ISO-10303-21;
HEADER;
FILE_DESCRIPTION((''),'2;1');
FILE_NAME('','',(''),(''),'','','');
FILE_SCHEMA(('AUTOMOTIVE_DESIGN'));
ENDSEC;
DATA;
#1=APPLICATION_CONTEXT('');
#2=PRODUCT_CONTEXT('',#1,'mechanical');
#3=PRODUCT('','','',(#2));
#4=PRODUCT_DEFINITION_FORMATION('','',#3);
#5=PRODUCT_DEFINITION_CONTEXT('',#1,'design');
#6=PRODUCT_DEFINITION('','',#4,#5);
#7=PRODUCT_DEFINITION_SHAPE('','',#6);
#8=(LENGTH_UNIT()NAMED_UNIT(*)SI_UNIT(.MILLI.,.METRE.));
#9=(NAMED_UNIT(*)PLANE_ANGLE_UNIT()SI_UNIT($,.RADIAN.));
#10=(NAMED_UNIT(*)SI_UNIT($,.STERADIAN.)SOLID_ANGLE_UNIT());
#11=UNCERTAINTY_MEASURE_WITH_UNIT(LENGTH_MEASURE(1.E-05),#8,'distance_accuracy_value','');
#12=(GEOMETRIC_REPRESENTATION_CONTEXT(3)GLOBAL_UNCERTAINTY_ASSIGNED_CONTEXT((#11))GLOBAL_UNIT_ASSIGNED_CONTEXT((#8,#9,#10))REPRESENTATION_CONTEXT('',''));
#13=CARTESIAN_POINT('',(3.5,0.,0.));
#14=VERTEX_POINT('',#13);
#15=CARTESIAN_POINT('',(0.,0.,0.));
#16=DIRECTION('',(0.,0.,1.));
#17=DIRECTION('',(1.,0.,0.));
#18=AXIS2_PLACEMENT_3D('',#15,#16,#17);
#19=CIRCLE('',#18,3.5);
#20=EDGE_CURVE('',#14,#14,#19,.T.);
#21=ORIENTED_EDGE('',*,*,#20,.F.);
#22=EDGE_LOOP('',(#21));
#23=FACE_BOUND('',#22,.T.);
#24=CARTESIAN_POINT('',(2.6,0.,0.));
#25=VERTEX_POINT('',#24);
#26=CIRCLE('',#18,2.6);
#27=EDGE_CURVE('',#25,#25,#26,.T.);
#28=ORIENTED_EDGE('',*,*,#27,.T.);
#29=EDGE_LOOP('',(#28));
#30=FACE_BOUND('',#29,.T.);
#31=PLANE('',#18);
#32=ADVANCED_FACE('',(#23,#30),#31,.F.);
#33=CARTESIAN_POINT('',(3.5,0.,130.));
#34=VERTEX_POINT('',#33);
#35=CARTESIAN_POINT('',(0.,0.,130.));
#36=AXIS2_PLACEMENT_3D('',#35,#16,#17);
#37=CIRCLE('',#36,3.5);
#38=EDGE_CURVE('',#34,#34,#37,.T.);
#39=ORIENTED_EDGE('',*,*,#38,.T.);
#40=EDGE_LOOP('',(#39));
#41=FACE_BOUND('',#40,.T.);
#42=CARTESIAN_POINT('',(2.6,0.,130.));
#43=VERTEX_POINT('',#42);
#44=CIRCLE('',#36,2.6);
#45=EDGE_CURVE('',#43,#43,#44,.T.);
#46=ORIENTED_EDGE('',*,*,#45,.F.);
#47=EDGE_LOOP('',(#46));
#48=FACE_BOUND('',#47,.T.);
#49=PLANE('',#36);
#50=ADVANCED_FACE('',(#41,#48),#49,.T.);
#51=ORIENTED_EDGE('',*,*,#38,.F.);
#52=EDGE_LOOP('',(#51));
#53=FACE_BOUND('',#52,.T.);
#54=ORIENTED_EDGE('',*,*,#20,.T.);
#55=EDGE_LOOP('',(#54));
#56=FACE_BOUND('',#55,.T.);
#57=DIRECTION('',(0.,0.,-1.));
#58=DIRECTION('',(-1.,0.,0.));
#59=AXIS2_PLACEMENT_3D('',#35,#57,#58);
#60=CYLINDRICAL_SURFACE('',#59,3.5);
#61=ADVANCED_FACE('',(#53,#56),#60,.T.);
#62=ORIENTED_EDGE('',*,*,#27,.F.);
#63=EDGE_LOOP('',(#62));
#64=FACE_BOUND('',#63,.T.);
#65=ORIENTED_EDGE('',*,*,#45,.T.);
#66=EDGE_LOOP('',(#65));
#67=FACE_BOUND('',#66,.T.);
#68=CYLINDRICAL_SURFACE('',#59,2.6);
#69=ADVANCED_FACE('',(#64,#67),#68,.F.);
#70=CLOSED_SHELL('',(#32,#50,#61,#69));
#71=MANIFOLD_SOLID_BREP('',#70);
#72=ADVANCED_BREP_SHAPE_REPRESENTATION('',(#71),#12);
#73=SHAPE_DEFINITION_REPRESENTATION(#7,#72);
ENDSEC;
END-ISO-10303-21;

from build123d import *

# Parameters (mm, degrees)
CROQUIS1_R              = 3.5
CROQUIS1_R_2            = 2.6
SALIENTE_EXTRUIR1_DEPTH = 130


with BuildPart() as part:
    # Croquis1 → Saliente-Extruir1 (new body)
    with BuildSketch(Plane.XY):
        Circle(CROQUIS1_R)
        Circle(CROQUIS1_R_2, mode=Mode.SUBTRACT)
    extrude(amount=SALIENTE_EXTRUIR1_DEPTH)


solid = part.part
